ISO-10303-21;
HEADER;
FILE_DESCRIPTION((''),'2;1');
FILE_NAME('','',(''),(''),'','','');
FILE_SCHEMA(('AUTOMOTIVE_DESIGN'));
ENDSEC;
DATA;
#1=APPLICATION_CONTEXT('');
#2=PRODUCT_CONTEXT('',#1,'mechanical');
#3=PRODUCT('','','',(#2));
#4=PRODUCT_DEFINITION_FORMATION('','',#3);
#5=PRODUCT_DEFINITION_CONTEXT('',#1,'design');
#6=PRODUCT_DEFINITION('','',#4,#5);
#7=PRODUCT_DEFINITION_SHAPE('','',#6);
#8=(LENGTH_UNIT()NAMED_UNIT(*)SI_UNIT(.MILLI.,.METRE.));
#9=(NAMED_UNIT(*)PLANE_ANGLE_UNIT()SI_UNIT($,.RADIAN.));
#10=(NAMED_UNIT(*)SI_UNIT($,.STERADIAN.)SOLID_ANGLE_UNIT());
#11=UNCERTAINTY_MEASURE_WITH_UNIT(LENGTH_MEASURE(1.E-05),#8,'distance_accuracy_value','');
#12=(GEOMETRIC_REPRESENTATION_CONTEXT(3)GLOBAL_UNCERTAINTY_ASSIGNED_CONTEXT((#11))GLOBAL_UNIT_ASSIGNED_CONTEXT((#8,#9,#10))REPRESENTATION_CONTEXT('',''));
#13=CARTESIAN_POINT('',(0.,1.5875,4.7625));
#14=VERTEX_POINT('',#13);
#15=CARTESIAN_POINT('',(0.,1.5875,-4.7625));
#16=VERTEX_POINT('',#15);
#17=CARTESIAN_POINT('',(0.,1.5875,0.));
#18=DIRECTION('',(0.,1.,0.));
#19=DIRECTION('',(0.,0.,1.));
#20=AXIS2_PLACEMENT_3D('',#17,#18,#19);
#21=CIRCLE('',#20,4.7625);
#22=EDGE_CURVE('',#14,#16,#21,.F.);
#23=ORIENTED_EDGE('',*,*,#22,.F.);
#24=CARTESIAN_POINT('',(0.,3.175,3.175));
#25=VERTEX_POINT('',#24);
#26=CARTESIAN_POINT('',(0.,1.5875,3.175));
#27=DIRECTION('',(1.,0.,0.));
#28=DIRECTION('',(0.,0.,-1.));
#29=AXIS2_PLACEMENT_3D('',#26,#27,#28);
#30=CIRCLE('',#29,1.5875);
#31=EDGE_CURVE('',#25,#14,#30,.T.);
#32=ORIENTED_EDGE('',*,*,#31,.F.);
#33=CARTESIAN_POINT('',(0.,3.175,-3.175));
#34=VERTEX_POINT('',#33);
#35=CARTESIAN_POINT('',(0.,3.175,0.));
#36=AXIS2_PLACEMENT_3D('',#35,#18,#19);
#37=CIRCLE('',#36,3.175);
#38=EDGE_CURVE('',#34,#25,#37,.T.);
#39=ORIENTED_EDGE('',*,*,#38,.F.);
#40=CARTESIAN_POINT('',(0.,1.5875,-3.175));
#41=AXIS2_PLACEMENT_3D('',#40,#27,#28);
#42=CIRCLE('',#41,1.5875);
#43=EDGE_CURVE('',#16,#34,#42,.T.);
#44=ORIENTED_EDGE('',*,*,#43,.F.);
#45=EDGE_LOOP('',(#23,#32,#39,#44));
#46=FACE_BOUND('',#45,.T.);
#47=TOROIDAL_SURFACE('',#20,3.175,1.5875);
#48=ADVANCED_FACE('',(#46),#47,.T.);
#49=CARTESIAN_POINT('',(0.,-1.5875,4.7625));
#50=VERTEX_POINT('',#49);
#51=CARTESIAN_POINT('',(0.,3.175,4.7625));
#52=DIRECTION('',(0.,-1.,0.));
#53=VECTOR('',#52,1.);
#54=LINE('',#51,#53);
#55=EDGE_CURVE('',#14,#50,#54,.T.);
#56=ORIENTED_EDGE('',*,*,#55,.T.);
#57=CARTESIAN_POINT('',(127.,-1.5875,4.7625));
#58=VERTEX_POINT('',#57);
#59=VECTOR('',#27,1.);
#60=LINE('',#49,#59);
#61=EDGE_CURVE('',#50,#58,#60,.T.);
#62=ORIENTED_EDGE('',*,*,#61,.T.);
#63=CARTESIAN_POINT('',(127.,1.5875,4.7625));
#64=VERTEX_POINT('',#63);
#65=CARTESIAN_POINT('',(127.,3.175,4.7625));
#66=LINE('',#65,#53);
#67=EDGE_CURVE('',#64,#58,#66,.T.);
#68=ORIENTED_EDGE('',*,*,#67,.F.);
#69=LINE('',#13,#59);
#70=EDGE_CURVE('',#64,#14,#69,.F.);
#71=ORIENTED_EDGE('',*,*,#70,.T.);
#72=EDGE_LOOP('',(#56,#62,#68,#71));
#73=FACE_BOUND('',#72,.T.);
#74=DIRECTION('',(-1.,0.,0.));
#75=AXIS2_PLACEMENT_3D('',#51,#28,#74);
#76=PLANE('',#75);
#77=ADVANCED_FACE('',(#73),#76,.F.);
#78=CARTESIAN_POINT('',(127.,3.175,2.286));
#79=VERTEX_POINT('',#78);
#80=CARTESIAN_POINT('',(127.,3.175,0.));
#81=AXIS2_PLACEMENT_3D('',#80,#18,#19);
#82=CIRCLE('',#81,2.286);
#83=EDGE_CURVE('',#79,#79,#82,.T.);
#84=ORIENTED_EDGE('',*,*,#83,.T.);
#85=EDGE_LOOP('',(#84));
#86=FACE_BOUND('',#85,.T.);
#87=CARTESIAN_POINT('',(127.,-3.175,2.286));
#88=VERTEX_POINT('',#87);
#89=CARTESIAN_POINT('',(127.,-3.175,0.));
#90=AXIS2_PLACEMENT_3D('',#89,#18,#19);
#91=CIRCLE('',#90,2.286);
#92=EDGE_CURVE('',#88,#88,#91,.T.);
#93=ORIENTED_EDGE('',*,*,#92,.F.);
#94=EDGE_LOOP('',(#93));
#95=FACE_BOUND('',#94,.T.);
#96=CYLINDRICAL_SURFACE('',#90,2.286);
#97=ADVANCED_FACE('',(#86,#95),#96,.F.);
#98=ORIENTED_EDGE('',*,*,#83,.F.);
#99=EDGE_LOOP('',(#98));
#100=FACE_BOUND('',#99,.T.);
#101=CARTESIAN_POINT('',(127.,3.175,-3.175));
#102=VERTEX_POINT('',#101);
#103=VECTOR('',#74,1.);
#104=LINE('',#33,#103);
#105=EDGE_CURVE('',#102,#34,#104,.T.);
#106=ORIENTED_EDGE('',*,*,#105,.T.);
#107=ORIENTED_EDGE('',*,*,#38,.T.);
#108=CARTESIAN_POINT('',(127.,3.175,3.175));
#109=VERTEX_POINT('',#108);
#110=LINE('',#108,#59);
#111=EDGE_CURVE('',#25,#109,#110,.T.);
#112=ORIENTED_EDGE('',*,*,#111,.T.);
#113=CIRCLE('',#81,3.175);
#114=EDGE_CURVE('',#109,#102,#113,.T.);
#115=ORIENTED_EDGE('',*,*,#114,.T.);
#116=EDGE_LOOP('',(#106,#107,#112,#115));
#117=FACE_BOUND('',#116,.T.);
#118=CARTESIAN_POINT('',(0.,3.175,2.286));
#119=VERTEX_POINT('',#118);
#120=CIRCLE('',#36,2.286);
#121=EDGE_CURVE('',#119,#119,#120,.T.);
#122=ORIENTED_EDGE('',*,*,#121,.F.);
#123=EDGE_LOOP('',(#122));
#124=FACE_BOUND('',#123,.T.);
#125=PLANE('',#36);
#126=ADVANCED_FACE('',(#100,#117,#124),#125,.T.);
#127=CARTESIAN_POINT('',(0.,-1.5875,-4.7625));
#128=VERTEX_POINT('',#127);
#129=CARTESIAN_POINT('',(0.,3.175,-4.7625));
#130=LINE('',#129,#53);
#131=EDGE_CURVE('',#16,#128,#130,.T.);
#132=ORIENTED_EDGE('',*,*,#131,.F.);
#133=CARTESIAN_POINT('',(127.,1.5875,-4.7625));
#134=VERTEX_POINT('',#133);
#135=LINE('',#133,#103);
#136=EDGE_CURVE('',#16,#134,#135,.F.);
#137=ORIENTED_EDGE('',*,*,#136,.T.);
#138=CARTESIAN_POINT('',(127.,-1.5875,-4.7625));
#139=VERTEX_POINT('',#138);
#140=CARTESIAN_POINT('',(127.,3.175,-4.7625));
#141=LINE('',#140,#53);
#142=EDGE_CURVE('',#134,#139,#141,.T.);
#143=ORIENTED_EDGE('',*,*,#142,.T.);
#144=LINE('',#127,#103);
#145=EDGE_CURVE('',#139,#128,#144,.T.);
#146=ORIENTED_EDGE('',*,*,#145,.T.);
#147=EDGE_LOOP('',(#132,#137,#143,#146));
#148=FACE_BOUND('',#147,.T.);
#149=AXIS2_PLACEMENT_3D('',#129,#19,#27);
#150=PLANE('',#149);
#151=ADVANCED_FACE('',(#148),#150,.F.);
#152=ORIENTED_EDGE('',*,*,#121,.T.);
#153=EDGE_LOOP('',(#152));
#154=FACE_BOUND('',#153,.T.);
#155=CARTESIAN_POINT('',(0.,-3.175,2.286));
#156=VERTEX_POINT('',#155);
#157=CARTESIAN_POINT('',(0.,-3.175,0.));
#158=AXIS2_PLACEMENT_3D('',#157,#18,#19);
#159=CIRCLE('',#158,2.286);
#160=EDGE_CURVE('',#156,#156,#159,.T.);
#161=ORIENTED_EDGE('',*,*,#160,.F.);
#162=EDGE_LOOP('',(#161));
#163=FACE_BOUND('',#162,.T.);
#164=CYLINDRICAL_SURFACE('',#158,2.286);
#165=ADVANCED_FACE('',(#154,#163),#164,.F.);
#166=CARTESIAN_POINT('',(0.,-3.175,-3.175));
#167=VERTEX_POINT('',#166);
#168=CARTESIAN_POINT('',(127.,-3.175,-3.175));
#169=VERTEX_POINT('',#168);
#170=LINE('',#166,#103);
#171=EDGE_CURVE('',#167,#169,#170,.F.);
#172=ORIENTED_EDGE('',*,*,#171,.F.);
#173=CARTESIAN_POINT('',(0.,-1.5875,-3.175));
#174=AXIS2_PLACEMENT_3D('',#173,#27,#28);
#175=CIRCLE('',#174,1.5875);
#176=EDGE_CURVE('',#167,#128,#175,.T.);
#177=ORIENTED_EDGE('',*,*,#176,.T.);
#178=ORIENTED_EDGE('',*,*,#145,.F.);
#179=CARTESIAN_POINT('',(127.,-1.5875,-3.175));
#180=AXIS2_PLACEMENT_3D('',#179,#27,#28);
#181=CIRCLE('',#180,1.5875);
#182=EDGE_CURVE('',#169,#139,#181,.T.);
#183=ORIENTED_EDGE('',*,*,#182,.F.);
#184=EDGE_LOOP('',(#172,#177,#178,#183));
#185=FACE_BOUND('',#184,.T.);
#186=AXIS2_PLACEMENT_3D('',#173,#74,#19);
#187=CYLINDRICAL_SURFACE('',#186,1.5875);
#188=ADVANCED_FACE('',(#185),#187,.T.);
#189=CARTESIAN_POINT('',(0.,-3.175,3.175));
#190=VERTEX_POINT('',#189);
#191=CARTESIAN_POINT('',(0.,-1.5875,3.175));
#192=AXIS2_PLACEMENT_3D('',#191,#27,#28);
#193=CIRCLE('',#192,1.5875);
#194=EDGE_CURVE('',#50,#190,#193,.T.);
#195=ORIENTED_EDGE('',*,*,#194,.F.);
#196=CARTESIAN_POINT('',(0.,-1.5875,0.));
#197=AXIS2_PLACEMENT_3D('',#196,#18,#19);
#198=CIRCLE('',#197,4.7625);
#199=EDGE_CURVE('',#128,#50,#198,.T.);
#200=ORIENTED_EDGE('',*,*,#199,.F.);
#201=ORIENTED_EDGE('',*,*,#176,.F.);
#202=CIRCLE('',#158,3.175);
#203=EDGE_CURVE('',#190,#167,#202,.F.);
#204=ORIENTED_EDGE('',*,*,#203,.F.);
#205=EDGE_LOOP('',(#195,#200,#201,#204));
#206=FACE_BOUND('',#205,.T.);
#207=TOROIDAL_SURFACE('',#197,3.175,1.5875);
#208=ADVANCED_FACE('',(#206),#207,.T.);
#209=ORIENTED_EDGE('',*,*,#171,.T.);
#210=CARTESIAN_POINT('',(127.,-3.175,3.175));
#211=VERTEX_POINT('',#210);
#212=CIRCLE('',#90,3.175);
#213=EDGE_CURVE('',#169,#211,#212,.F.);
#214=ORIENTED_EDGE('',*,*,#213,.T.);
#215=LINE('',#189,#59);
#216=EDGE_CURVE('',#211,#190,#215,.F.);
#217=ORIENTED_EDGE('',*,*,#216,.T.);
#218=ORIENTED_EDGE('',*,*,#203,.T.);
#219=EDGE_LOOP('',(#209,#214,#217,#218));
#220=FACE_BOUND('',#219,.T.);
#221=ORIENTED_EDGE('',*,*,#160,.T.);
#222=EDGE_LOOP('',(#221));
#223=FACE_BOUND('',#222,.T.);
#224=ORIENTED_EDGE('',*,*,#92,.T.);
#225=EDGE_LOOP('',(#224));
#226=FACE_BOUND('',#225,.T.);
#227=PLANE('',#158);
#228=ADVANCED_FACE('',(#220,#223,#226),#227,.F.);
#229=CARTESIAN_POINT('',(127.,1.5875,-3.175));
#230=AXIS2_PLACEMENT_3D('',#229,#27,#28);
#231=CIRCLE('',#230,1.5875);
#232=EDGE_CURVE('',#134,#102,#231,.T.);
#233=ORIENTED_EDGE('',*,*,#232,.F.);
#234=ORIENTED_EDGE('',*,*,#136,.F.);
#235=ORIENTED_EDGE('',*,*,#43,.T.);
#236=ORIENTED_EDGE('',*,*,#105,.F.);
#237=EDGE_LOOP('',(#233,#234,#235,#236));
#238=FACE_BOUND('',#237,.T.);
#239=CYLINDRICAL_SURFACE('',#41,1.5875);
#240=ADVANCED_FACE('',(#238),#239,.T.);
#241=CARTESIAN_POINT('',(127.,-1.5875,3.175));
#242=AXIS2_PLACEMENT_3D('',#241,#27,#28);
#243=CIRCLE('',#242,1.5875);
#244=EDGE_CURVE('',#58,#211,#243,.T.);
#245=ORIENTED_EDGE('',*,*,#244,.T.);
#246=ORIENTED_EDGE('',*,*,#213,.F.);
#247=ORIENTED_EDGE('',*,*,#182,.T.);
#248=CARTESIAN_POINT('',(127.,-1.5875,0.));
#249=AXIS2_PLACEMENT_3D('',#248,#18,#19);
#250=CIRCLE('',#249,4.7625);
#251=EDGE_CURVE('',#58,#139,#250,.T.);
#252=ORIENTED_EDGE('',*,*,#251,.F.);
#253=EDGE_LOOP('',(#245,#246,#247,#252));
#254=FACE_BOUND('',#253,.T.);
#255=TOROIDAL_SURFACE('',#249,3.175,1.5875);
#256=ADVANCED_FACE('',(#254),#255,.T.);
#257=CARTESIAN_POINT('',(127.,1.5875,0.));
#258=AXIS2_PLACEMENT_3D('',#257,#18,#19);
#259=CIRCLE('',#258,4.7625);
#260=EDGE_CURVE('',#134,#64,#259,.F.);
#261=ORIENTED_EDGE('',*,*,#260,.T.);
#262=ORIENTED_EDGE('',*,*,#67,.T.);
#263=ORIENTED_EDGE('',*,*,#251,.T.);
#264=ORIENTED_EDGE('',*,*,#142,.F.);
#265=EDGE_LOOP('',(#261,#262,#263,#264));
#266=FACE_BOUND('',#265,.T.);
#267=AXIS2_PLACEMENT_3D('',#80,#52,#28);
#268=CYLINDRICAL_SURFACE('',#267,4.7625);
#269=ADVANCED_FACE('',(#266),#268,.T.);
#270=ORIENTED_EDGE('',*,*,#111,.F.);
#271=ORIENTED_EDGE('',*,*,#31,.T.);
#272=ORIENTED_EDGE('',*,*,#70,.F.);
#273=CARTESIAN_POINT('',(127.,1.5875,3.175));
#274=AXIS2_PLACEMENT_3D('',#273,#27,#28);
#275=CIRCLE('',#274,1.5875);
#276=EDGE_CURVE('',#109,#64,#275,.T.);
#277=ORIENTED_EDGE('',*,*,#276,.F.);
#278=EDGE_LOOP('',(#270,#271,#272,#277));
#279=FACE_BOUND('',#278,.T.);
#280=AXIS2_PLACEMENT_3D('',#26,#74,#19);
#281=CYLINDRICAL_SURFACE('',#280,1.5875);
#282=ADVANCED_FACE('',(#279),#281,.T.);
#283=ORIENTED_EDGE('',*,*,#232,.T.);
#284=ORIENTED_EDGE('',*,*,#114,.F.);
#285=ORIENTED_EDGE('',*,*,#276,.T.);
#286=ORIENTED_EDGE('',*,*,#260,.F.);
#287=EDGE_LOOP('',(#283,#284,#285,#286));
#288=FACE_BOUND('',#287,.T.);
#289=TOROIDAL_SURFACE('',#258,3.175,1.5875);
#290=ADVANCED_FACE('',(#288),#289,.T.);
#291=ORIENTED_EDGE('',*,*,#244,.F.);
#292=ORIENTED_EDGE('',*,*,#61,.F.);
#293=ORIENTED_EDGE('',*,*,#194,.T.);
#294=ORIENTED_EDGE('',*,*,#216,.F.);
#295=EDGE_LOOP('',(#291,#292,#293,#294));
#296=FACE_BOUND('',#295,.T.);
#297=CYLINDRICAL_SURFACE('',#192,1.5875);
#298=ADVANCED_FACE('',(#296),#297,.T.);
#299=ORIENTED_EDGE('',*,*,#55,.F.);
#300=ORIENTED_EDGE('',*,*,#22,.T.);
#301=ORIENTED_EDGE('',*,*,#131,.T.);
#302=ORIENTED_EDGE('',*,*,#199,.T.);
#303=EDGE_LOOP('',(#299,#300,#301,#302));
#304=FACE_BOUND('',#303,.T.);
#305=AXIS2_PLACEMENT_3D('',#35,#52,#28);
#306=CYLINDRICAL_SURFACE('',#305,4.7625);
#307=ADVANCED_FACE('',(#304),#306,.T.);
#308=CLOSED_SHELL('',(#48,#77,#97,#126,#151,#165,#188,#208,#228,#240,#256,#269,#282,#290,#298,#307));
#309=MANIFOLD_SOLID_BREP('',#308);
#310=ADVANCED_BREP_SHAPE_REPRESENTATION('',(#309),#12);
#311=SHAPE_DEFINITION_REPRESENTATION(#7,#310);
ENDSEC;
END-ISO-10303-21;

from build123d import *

# Parameters (mm, degrees)
BOSS_EXTRUDE1_DEPTH = 3.175
SKETCH2_R           = 2.286
CUT_EXTRUDE1_DEPTH  = 133.001364813
FILLET1_R           = 1.5875


with BuildPart() as part:
    # Sketch1 → Boss-Extrude1 (new, symmetric)
    with BuildSketch(Plane(origin=(0, 0, 0), x_dir=(1, 0, 0), z_dir=(0, 1, 0))):
        with BuildLine():
            Line((0, 4.7625), (127, 4.7625))
            ThreePointArc((127, 4.7625), (131.7625, 0), (127, -4.7625))
            Line((127, -4.7625), (0, -4.7625))
            ThreePointArc((0, -4.7625), (-4.7625, 0), (0, 4.7625))
        make_face()
    extrude(amount=BOSS_EXTRUDE1_DEPTH, both=True)

    # Sketch2 → Cut-Extrude1 (cut, through all)
    with BuildSketch(Plane(origin=(0, 3.175, 0), x_dir=(1, 0, 0), z_dir=(0, 1, 0))):
        with Locations(Location((0, 0, 0), (0, 0, 270))):
            Circle(SKETCH2_R)
        with Locations(Location((127, 0, 0), (0, 0, 270))):
            Circle(SKETCH2_R)
    extrude(amount=-CUT_EXTRUDE1_DEPTH, mode=Mode.SUBTRACT)

    # Fillet1
    fillet1_edges = [part.edges().sort_by_distance(p)[0] for p in [
        (131.7625, 3.175, 0),
        (63.5, 3.175, -4.7625),
        (-4.7625, 3.175, 0),
        (63.5, -3.175, -4.7625),
        (131.7625, -3.175, 0),
        (63.5, -3.175, 4.7625),
        (-4.7625, -3.175, 0),
        (63.5, 3.175, 4.7625),
    ]]
    fillet(fillet1_edges, radius=FILLET1_R)


solid = part.part
